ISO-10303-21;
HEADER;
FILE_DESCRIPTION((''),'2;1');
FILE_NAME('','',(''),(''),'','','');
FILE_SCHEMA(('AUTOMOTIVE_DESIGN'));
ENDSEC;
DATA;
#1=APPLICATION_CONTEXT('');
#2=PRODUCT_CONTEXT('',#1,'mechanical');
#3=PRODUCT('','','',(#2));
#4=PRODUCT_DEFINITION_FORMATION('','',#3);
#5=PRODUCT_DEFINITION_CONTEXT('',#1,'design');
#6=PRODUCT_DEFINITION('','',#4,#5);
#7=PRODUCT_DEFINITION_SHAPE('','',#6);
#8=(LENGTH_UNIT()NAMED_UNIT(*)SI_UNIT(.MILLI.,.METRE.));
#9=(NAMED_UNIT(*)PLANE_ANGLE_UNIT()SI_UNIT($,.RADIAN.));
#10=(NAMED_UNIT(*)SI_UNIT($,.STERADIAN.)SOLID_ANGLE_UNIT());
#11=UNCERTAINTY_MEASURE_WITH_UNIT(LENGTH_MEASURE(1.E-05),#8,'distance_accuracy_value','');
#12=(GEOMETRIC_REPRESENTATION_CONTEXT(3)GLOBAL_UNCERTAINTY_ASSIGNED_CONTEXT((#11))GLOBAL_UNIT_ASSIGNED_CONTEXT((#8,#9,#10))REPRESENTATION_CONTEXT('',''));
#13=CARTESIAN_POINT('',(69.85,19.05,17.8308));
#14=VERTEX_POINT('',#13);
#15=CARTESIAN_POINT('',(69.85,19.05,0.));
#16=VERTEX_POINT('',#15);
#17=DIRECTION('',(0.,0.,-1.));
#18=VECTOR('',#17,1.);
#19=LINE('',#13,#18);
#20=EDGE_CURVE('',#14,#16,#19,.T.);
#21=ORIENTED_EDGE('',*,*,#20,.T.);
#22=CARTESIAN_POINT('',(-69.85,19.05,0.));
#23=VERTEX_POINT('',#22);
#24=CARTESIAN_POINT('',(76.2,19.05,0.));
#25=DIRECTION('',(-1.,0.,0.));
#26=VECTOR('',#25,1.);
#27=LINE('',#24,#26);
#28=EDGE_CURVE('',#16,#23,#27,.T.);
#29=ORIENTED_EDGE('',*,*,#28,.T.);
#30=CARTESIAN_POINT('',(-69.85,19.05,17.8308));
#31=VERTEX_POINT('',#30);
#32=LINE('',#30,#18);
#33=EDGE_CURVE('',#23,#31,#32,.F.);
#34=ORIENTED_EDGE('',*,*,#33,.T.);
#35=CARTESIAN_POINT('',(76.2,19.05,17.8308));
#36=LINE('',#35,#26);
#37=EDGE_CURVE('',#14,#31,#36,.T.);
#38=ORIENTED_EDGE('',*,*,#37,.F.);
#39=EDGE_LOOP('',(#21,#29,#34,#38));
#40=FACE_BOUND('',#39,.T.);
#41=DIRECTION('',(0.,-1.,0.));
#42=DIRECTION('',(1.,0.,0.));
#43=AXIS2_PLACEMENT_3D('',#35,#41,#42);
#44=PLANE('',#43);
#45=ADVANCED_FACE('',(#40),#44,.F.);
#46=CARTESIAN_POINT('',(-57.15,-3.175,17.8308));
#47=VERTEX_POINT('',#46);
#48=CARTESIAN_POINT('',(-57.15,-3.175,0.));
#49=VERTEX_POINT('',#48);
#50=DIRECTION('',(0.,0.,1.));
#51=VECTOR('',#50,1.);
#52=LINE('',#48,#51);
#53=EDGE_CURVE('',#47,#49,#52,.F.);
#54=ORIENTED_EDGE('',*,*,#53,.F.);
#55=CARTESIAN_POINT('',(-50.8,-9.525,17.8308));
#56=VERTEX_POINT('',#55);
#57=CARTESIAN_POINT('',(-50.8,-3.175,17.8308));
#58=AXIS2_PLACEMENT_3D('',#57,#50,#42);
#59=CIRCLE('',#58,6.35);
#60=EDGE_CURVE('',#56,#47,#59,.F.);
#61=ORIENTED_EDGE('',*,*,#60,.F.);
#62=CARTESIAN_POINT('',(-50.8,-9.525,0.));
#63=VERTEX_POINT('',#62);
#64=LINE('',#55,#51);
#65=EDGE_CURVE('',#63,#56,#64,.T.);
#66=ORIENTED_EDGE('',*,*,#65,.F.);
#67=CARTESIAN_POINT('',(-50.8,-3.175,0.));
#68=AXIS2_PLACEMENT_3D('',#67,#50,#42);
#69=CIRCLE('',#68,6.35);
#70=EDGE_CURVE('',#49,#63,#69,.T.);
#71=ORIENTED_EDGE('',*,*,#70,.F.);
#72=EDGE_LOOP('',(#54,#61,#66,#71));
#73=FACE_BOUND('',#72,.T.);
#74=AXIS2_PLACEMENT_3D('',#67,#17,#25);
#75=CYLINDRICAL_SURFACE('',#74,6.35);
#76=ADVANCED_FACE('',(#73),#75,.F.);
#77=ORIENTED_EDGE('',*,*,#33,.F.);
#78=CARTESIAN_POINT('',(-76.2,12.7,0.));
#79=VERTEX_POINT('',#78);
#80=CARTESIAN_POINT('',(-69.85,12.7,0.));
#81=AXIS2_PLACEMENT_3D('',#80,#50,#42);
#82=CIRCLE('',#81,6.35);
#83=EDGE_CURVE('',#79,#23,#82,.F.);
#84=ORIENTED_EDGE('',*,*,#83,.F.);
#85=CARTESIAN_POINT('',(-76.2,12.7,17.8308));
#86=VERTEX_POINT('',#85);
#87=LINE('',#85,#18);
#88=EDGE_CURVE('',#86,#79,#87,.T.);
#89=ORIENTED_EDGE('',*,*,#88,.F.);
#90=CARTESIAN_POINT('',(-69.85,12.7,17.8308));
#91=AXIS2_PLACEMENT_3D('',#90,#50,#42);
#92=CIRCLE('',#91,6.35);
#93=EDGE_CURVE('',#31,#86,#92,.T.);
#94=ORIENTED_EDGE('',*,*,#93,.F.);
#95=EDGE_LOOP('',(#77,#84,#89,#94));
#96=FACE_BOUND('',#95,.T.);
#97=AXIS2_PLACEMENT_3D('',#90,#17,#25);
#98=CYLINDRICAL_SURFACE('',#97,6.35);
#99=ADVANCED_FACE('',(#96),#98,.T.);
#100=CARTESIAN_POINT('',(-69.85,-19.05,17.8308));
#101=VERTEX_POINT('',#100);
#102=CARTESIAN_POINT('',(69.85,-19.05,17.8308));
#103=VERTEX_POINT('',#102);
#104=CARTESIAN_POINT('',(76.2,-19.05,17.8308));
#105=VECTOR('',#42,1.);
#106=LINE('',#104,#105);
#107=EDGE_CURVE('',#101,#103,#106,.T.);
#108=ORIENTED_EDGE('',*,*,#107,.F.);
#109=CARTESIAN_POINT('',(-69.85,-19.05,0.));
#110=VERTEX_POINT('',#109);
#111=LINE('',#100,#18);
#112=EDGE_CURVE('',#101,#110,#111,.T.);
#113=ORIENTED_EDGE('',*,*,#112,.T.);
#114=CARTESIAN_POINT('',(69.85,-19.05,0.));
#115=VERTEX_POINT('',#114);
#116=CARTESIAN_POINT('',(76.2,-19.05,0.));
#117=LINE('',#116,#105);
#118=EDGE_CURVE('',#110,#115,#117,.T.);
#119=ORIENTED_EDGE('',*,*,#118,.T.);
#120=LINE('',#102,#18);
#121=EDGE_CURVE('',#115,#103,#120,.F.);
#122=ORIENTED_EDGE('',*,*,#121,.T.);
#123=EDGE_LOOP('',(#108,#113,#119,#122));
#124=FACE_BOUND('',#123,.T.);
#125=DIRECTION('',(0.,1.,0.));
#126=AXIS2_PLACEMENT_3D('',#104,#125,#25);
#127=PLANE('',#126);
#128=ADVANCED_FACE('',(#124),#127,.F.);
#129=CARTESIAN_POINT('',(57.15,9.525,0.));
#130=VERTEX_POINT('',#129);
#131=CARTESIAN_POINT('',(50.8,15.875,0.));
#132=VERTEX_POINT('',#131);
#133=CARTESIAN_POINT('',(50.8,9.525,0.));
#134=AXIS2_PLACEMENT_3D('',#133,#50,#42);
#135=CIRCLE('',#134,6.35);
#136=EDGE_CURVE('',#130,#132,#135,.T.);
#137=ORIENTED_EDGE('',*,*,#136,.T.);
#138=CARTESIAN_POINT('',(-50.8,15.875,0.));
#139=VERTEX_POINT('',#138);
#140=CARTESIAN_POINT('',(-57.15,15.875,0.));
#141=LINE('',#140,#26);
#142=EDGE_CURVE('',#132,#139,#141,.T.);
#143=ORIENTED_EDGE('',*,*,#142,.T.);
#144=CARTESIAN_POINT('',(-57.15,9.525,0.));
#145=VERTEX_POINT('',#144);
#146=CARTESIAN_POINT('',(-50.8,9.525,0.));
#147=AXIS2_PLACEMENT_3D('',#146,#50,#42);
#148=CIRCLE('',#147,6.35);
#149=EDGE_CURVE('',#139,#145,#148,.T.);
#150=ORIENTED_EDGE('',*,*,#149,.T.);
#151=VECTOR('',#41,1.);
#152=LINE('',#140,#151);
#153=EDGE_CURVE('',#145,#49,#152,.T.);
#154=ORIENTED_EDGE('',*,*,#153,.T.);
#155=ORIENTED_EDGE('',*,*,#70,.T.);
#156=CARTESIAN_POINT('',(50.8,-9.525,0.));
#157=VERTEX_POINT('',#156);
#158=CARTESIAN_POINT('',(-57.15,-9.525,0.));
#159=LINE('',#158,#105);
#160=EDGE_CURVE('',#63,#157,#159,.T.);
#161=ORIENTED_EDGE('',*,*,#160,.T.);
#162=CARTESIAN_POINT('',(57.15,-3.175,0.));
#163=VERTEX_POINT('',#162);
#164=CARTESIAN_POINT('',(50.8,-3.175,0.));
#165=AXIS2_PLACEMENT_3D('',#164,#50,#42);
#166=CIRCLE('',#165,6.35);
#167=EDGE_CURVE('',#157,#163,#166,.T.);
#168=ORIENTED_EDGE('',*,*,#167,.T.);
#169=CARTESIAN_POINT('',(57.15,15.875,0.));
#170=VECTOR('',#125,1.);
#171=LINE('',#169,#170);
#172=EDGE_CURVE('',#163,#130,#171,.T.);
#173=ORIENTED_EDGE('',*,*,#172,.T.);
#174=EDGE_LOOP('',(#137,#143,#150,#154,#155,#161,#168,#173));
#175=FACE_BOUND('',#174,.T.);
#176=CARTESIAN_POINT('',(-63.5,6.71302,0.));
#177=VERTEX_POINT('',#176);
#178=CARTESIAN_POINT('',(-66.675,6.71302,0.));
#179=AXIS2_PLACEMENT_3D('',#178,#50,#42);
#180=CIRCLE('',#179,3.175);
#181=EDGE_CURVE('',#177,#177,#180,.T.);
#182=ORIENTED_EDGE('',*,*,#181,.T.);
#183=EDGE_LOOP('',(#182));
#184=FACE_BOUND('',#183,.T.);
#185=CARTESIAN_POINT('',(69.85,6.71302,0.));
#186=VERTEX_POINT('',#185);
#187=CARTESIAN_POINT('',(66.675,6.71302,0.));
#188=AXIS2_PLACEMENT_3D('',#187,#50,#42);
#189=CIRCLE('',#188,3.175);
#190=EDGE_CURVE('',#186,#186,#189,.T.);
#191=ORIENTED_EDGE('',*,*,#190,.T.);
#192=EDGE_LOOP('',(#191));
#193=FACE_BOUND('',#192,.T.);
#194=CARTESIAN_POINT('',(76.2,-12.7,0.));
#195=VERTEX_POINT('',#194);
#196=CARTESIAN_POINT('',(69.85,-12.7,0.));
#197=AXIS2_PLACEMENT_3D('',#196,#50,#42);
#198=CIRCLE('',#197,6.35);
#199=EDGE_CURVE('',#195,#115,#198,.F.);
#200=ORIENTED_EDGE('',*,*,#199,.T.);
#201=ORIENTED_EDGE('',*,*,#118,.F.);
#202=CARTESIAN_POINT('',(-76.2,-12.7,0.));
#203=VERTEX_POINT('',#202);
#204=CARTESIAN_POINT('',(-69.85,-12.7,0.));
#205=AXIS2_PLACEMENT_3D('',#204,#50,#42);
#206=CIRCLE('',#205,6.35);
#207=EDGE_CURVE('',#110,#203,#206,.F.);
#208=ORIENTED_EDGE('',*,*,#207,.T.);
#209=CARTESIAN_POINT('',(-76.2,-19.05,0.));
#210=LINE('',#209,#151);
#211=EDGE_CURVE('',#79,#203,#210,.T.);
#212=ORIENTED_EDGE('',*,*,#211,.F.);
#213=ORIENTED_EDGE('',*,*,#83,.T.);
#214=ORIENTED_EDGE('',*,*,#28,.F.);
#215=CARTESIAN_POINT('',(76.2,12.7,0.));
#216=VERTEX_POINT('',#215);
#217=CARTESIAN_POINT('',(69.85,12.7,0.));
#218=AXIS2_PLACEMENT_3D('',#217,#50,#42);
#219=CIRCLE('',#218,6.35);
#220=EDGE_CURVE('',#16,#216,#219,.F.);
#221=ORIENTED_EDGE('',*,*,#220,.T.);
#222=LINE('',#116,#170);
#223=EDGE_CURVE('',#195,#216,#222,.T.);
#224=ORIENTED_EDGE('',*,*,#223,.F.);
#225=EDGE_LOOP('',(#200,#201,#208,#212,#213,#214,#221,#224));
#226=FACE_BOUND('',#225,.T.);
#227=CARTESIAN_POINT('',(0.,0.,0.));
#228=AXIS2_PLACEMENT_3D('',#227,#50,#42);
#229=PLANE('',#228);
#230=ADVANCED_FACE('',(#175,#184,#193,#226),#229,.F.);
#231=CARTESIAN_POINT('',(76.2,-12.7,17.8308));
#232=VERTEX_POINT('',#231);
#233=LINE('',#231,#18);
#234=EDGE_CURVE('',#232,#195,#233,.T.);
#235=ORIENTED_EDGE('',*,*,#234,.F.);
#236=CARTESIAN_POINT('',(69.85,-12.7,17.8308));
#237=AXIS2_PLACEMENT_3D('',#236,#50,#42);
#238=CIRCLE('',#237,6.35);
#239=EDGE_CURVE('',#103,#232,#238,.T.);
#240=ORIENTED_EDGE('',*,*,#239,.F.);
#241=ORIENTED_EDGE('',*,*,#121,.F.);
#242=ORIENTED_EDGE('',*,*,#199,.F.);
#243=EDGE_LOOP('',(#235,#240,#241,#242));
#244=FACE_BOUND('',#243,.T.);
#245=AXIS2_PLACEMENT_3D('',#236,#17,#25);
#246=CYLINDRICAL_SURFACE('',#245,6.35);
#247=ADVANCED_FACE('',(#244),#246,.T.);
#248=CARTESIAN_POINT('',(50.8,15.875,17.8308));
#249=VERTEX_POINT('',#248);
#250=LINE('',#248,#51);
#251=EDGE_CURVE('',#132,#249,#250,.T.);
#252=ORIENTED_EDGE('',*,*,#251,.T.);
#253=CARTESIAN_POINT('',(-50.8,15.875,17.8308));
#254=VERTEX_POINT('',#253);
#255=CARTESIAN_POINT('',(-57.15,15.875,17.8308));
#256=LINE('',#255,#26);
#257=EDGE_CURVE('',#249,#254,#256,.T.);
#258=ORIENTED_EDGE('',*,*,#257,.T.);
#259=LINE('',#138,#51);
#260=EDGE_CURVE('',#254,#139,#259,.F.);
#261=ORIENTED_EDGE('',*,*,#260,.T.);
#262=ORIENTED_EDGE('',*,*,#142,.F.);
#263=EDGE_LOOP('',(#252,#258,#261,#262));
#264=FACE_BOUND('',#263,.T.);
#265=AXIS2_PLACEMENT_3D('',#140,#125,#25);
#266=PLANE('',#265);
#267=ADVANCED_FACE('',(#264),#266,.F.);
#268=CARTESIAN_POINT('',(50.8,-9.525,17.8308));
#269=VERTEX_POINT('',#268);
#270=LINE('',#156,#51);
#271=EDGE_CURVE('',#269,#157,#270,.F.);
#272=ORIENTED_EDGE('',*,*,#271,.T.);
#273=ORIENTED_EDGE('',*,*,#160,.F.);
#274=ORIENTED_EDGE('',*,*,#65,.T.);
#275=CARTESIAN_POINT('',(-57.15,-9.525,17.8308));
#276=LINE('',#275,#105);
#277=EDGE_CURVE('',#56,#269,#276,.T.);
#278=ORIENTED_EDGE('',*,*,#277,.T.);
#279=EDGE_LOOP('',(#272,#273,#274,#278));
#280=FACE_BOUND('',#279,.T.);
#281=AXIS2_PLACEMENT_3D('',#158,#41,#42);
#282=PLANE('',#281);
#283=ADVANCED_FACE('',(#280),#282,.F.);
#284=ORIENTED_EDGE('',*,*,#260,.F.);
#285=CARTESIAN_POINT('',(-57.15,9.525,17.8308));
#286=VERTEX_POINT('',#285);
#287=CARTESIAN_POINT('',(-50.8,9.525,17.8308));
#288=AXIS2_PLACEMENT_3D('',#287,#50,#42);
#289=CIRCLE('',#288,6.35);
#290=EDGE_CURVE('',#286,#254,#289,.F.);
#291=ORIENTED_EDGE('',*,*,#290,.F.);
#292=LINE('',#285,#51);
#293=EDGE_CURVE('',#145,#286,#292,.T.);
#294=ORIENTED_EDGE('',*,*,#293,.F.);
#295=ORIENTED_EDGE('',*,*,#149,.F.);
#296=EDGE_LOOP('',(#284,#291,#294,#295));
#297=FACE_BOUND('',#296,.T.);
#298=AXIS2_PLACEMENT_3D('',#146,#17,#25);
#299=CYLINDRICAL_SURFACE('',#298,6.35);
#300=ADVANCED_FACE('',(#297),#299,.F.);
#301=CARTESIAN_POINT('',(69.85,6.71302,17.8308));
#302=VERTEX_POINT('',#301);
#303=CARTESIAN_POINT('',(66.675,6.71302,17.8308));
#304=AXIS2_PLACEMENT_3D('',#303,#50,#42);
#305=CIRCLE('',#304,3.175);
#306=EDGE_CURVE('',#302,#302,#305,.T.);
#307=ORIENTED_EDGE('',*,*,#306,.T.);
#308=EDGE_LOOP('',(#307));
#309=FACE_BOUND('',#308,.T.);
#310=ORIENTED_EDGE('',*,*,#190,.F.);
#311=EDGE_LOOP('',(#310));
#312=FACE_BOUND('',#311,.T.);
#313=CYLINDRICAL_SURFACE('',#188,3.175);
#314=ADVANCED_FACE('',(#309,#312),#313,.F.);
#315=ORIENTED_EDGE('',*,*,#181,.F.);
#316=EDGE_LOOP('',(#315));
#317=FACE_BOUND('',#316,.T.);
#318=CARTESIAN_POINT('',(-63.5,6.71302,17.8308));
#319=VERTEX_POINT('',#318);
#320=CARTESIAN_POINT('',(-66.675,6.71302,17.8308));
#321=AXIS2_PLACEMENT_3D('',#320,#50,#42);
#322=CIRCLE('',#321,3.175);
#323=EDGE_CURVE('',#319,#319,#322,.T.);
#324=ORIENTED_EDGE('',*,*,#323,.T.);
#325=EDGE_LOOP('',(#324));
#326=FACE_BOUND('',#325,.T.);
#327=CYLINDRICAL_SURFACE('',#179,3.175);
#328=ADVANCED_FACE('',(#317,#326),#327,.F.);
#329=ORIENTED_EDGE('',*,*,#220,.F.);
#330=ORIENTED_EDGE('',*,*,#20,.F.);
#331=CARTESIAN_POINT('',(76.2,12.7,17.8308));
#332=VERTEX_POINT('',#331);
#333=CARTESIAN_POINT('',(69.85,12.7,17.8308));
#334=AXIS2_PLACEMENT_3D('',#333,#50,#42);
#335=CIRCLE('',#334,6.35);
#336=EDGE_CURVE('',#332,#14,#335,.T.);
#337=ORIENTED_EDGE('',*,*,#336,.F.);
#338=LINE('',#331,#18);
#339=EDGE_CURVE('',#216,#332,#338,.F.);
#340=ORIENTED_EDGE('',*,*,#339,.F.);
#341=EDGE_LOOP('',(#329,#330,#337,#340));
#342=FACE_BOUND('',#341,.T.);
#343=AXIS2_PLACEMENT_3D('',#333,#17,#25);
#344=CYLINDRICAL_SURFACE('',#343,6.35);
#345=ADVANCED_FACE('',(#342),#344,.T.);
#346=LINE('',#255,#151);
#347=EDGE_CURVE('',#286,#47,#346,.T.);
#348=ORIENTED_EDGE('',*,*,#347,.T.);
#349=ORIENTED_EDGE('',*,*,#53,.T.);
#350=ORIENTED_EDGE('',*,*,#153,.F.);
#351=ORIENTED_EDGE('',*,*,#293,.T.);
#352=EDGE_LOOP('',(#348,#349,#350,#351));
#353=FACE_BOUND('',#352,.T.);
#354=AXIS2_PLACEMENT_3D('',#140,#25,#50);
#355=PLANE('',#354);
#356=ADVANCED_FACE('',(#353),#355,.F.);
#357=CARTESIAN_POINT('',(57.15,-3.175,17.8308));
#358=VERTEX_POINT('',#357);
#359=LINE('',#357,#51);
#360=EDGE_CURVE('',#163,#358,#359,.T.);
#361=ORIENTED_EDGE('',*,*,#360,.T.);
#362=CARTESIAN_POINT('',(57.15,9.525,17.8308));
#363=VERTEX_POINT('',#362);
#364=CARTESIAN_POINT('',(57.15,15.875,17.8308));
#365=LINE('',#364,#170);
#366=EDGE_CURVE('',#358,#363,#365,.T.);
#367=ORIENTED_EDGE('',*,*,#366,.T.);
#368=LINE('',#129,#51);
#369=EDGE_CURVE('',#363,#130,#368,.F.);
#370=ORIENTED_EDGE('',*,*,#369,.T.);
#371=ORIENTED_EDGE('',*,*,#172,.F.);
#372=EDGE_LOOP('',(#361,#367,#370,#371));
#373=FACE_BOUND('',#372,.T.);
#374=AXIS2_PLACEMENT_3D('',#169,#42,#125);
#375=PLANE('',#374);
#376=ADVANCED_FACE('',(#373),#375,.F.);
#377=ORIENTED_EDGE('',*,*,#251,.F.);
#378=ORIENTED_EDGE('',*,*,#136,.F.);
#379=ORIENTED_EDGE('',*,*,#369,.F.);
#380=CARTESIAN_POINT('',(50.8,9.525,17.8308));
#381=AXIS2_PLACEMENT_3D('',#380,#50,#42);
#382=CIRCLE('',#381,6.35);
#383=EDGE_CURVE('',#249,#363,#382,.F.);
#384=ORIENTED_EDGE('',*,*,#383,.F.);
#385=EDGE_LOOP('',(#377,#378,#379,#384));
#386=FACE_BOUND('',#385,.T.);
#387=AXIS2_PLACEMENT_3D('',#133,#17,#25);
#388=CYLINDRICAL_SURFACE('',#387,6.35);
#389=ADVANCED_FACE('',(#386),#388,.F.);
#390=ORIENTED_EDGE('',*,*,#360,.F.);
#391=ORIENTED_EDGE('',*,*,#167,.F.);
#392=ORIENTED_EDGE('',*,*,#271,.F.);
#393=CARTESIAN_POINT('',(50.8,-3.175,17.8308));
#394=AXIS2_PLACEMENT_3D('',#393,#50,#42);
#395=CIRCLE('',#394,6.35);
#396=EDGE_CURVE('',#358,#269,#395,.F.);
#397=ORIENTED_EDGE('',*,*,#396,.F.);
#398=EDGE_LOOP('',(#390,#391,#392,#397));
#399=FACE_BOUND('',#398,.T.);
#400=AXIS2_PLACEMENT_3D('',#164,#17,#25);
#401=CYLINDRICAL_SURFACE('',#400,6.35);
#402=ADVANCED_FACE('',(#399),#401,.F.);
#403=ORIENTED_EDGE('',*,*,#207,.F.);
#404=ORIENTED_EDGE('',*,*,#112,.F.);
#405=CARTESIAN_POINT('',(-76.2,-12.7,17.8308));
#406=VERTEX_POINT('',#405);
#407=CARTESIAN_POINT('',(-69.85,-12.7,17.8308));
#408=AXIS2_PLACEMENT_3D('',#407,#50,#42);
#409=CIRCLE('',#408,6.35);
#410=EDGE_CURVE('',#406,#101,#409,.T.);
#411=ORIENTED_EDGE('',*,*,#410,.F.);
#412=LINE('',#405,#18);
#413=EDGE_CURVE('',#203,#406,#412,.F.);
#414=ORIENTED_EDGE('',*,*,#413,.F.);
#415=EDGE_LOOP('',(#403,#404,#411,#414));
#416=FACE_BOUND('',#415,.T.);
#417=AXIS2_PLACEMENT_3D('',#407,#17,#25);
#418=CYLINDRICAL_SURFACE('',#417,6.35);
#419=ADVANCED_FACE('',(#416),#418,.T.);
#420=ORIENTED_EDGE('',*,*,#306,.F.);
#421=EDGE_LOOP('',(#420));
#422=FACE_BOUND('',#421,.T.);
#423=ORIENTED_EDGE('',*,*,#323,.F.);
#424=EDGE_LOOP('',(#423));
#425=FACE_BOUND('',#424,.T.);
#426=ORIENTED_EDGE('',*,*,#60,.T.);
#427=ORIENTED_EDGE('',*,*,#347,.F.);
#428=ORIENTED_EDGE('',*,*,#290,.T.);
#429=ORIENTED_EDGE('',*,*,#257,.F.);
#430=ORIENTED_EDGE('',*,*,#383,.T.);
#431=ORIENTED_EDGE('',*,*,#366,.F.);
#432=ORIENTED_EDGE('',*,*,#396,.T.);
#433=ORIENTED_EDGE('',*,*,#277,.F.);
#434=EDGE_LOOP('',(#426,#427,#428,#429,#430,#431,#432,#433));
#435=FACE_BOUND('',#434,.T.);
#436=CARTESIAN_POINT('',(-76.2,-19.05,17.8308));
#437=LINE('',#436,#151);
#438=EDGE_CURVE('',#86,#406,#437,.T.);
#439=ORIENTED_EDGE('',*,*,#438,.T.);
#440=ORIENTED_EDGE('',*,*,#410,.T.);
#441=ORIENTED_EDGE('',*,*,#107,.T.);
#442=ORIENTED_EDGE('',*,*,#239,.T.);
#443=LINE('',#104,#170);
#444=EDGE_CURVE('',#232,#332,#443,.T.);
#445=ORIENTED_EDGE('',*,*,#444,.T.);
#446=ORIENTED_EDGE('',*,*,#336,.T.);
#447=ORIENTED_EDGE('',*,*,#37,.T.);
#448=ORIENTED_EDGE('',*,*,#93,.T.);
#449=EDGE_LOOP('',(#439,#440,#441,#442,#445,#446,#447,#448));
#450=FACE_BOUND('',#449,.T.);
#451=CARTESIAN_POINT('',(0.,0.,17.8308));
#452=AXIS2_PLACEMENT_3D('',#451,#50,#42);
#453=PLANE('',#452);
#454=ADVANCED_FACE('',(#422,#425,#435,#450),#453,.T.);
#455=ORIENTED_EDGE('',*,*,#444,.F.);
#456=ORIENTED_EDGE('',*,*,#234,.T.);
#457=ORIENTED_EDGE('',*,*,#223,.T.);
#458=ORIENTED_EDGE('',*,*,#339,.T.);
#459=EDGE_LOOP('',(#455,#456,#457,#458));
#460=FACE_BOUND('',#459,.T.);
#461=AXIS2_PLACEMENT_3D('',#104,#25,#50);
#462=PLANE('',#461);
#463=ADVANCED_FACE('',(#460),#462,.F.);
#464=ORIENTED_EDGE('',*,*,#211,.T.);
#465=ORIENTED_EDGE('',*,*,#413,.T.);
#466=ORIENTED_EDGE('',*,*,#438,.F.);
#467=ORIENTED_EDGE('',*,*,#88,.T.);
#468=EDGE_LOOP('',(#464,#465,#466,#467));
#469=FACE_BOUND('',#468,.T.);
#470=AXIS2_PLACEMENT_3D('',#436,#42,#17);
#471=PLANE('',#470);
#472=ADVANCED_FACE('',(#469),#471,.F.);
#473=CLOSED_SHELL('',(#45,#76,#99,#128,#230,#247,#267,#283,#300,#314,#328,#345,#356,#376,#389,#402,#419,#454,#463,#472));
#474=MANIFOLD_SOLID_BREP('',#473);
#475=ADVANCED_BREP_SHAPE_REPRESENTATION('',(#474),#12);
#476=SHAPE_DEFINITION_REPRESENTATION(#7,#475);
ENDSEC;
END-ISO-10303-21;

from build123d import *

# Parameters (mm, degrees)
SKETCH1_W           = 152.4
SKETCH1_H           = 38.1
BOSS_EXTRUDE1_DEPTH = 17.8308
SKETCH2_W           = 114.3
SKETCH2_H           = 25.4
CUT_EXTRUDE1_DEPTH  = 81.543652317
FILLET1_R           = 6.35
SKETCH3_R           = 3.175
CUT_EXTRUDE2_DEPTH  = 81.543652317


with BuildPart() as part:
    # Sketch1 → Boss-Extrude1 (new body)
    with BuildSketch(Plane.XY):
        Rectangle(SKETCH1_W, SKETCH1_H)
    extrude(amount=BOSS_EXTRUDE1_DEPTH)

    # Sketch2 → Cut-Extrude1 (cut, through all)
    with BuildSketch(Plane.XY.offset(17.8308)):
        with Locations((0, 3.175)):
            Rectangle(SKETCH2_W, SKETCH2_H)
    extrude(amount=-CUT_EXTRUDE1_DEPTH, mode=Mode.SUBTRACT)

    # Fillet1
    fillet1_edges = [part.edges().sort_by_distance(p)[0] for p in [
        (-57.15, -9.525, 8.9154),
        (-57.15, 15.875, 8.9154),
        (57.15, 15.875, 8.9154),
        (57.15, -9.525, 8.9154),
        (-76.2, 19.05, 8.9154),
        (76.2, 19.05, 8.9154),
        (76.2, -19.05, 8.9154),
        (-76.2, -19.05, 8.9154),
    ]]
    fillet(fillet1_edges, radius=FILLET1_R)

    # Sketch3 → Cut-Extrude2 (cut, through all)
    with BuildSketch(Plane.XY.offset(17.8308)):
        with Locations((-66.675, 6.71302)):
            Circle(SKETCH3_R)
        with Locations((66.675, 6.71302)):
            Circle(SKETCH3_R)
    extrude(amount=-CUT_EXTRUDE2_DEPTH, mode=Mode.SUBTRACT)


solid = part.part
